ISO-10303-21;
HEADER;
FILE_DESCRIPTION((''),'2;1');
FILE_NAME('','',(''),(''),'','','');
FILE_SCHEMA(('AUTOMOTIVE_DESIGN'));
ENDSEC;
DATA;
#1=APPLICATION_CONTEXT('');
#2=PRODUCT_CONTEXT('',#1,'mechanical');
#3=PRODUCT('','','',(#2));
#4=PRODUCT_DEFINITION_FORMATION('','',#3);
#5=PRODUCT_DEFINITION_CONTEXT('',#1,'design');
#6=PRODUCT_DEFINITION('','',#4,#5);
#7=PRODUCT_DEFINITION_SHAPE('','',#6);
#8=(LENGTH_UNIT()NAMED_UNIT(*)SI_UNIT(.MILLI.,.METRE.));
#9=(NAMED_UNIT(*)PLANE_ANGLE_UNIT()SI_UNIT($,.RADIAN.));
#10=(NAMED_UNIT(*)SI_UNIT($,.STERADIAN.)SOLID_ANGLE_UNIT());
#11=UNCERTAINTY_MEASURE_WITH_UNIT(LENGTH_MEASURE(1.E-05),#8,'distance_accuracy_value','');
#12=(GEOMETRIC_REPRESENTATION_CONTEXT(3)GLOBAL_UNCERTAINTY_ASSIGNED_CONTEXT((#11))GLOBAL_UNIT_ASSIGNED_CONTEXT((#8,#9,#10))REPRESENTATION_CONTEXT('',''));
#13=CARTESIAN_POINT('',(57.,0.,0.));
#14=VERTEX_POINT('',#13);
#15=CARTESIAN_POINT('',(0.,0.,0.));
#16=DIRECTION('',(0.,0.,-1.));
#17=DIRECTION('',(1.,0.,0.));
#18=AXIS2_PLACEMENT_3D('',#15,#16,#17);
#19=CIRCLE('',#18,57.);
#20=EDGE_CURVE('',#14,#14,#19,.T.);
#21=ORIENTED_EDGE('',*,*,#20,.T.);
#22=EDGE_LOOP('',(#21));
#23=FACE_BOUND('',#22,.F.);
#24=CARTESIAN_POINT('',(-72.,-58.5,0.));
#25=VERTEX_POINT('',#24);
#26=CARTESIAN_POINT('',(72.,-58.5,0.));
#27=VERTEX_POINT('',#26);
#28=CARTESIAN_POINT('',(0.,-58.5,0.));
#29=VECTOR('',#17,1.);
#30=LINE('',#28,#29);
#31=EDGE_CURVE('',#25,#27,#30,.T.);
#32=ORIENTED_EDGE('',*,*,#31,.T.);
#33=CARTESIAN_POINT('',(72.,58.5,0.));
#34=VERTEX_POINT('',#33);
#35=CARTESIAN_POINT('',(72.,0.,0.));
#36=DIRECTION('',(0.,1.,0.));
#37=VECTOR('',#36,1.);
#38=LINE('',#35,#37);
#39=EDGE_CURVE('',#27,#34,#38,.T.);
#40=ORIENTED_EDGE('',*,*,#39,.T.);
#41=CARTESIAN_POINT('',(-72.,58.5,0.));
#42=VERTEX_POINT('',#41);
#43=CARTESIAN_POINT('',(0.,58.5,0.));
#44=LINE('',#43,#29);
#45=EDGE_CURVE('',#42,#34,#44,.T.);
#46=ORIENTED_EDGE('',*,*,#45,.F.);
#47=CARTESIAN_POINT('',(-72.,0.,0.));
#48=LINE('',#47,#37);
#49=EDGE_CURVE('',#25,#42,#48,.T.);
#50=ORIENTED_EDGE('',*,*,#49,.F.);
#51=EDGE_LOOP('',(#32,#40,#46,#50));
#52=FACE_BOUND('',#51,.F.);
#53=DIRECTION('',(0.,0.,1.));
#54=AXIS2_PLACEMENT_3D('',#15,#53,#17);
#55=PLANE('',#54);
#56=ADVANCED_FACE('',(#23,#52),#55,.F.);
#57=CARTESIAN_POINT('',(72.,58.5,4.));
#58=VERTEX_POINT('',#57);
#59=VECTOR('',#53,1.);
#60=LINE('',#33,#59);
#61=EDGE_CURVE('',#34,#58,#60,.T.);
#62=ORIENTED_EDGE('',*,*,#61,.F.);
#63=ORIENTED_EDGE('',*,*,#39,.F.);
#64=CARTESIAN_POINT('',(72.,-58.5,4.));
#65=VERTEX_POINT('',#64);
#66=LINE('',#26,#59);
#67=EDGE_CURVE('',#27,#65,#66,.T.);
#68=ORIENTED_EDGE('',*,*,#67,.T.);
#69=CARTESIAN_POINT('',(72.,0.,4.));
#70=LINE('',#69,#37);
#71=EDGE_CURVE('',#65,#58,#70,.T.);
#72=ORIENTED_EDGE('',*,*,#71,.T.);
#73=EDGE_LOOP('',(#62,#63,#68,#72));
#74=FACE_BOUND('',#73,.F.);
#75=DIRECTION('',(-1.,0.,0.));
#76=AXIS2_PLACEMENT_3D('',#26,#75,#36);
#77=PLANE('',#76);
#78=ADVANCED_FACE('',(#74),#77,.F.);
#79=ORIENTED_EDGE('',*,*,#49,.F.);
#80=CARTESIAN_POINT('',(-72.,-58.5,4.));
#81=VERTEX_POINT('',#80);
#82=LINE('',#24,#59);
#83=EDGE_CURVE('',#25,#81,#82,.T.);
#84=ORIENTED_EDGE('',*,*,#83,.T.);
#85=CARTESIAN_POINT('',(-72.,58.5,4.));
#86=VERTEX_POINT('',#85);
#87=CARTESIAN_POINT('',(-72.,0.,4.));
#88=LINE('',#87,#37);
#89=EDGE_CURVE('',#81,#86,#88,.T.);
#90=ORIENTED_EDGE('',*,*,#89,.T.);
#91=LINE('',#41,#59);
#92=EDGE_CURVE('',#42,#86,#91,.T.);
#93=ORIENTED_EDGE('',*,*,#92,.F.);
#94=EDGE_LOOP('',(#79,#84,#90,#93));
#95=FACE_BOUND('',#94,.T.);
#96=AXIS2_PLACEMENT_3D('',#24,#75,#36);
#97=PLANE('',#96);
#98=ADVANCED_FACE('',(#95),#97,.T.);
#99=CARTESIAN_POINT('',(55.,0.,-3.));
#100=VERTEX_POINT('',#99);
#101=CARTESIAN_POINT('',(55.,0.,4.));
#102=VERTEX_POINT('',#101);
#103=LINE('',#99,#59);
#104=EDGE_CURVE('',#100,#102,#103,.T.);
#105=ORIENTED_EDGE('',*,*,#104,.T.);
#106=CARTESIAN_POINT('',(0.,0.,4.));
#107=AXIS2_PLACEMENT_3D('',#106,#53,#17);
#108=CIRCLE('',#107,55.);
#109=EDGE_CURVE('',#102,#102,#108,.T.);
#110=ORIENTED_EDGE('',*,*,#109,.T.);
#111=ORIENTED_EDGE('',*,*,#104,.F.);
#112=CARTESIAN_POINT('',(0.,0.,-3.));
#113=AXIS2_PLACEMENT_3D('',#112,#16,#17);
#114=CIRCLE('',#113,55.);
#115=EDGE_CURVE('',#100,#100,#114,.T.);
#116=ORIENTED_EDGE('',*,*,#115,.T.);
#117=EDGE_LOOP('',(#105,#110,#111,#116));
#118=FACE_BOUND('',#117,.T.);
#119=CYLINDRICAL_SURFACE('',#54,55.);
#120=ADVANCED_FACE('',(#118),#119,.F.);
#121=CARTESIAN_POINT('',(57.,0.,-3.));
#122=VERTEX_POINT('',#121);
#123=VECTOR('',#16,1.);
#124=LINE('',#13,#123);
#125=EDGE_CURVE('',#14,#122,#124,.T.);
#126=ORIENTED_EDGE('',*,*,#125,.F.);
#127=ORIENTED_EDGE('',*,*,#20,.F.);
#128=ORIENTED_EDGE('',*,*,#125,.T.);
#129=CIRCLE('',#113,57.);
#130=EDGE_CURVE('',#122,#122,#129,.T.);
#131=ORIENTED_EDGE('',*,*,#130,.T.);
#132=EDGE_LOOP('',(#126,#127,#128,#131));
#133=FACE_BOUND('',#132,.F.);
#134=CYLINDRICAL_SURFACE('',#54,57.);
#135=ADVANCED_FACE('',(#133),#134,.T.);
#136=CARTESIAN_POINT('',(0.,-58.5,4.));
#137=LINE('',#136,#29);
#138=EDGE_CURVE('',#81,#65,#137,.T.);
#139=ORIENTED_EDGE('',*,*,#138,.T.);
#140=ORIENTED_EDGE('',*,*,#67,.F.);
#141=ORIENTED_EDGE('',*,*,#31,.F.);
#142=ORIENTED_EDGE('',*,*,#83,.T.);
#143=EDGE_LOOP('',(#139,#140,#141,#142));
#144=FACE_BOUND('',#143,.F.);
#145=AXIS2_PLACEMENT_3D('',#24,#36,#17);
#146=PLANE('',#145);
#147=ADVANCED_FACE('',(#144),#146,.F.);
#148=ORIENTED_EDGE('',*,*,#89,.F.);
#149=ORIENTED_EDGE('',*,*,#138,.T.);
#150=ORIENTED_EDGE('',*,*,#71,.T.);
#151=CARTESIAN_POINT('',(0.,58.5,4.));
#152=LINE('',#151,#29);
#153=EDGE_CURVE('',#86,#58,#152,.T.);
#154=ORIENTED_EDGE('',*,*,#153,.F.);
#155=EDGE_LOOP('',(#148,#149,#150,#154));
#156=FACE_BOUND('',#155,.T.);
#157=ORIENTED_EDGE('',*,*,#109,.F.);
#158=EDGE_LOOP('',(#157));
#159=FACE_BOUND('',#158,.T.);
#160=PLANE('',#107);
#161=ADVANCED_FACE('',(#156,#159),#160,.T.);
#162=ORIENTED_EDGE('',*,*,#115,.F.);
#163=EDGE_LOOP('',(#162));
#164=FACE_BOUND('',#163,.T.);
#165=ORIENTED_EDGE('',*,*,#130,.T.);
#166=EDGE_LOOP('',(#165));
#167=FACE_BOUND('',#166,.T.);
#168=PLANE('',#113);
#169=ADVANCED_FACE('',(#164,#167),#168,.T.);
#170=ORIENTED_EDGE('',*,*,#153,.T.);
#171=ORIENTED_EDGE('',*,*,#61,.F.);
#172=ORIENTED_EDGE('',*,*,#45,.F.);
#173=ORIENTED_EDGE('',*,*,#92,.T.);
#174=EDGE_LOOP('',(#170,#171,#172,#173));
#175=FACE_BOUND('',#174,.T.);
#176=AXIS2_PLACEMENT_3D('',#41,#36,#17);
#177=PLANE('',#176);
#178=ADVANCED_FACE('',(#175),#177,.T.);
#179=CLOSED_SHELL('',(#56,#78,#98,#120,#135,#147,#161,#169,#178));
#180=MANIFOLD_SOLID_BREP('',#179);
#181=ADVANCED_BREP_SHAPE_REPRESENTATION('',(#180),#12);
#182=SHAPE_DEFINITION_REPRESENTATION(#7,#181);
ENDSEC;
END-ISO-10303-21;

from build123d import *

# Parameters (mm, degrees)
F0_W     = 144
F0_H     = 117
F0_R     = 55
F1_DEPTH = 4
F2_R     = 57
F2_R_2   = 55
F3_DEPTH = 3


with BuildPart() as f1:
    # F0 (on Top) → F1 (new body)
    with BuildSketch(Plane.XY):
        Rectangle(F0_W, F0_H)
        Circle(F0_R, mode=Mode.SUBTRACT)
    extrude(amount=F1_DEPTH)

    # F2 (on face) → F3 (join)
    with BuildSketch(Plane(origin=(0, 0, 0), x_dir=(1, 0, 0), z_dir=(0, 0, -1))):
        Circle(F2_R)
        Circle(F2_R_2, mode=Mode.SUBTRACT)
    extrude(amount=F3_DEPTH)


solid = f1.part
